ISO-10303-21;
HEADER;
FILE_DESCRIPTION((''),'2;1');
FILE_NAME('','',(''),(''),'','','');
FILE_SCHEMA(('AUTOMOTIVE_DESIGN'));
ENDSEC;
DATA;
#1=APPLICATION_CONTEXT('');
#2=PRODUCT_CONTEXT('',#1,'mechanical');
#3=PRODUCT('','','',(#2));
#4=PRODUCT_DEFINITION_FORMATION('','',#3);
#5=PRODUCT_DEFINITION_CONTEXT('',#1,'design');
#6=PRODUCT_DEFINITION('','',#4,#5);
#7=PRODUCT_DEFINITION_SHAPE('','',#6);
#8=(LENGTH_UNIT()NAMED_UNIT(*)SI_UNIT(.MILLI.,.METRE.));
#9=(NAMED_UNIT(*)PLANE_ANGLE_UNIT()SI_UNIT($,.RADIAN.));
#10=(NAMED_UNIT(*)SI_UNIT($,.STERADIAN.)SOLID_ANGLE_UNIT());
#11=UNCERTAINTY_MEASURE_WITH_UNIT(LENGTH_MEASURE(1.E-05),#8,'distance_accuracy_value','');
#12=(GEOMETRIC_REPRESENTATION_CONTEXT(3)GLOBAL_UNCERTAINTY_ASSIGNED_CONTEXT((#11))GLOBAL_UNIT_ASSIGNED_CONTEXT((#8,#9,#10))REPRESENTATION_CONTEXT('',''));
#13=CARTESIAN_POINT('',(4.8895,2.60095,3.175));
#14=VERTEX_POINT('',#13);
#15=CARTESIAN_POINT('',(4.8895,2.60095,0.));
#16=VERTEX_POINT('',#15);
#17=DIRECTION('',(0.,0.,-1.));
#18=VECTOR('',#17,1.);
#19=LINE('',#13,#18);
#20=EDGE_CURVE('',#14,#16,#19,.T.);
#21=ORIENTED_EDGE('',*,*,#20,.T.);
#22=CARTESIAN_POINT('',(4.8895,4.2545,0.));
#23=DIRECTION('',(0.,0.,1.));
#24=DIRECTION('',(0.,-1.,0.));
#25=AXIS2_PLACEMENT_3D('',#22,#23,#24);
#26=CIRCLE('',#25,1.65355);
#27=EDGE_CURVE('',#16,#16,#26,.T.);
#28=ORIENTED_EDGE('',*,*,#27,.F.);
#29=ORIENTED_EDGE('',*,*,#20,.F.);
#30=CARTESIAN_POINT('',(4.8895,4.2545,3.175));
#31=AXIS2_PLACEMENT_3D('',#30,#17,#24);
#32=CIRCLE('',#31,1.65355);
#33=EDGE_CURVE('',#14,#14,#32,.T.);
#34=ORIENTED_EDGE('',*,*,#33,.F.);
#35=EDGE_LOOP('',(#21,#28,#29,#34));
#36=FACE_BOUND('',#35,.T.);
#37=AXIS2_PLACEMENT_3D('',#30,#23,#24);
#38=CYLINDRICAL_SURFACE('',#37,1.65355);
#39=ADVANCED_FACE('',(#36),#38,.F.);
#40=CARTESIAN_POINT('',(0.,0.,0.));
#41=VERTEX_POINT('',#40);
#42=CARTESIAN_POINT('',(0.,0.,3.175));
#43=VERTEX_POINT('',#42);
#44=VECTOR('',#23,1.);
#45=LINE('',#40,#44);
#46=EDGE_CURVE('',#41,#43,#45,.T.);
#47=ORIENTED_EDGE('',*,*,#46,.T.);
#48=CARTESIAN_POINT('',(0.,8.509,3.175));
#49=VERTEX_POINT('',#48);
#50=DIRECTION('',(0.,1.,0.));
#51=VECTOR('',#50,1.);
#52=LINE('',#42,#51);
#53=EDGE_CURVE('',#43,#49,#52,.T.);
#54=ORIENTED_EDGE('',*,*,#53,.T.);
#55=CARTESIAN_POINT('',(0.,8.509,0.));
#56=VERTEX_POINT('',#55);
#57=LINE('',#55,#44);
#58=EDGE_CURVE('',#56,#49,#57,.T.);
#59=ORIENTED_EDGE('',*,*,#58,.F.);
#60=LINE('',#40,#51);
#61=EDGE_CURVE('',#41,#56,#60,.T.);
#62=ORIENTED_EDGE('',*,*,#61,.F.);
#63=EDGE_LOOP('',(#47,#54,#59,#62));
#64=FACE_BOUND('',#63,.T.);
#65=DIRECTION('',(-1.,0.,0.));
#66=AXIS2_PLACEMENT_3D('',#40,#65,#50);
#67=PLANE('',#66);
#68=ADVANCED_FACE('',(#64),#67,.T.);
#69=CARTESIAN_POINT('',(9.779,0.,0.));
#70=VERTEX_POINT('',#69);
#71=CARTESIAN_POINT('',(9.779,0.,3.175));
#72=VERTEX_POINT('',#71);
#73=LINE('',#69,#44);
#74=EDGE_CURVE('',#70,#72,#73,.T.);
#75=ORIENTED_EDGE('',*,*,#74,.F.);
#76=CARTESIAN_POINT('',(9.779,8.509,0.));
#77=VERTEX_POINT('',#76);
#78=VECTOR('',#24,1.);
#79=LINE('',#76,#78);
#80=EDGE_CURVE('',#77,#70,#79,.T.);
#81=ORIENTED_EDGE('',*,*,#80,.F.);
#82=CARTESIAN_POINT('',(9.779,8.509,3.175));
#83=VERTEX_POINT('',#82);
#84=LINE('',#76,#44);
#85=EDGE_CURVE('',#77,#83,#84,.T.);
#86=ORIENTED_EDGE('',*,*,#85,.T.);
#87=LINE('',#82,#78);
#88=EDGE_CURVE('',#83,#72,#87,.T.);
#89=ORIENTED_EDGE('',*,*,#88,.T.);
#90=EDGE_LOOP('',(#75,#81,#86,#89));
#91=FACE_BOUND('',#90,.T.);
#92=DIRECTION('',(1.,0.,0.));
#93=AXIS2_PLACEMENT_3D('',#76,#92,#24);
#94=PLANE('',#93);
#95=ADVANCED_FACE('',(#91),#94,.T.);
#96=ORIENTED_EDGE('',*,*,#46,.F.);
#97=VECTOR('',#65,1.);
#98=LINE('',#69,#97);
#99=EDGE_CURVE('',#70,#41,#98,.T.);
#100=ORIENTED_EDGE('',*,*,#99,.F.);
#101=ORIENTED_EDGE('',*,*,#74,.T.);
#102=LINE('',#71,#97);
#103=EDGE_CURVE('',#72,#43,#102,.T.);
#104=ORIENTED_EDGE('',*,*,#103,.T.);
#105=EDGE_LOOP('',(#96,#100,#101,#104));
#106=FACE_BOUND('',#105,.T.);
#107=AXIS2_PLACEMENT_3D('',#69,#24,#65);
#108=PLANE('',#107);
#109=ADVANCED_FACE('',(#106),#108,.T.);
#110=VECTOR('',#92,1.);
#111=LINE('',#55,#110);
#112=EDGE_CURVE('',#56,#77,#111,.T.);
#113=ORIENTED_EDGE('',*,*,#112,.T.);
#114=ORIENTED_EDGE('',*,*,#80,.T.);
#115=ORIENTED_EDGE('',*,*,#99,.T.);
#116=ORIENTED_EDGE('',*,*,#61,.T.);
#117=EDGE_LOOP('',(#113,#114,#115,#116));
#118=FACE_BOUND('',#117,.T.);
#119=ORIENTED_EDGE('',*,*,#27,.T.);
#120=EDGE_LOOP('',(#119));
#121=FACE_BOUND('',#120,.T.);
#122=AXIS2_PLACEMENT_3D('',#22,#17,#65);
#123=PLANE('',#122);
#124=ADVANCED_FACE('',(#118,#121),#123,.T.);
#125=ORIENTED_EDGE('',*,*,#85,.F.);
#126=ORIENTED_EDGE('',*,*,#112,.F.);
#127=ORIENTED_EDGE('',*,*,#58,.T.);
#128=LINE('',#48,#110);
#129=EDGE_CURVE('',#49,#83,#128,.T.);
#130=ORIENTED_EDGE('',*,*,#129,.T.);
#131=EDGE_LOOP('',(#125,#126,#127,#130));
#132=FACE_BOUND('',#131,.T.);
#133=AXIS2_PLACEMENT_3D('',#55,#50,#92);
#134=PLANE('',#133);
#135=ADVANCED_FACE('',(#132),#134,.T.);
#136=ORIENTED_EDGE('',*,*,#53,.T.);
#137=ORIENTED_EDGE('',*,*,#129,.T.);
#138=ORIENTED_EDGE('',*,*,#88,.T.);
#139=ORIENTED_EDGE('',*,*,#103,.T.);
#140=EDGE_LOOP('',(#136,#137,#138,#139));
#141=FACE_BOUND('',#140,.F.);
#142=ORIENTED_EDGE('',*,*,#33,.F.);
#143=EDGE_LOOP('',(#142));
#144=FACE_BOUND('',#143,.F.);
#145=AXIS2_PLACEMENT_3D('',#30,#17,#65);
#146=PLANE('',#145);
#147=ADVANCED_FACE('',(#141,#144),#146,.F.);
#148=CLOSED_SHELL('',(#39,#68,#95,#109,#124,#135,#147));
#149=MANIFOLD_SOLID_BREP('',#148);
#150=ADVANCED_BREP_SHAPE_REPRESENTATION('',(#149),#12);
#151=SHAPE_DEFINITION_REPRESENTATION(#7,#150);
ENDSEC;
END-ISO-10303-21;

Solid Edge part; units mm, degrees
sketch "Sketch1" plane through (0, 0, 0) normal (0, 0, 1) x (1, 0, 0)
  line L0 (0, 0) -> (0, 8.509)
  line L1 (0, 8.509) -> (9.779, 8.509)
  line L2 (9.779, 8.509) -> (9.779, 0)
  line L3 (9.779, 0) -> (0, 0)
  dimension "D1" = 9.779
  dimension "D2" = 8.509
extrude "Protrusion1" add sketch "Sketch1" along normal blind 3.175
hole "Hole_1" at (4.8895, 4.2545, 3.175) direction (0, 0, -1) diameter 3.3071 end up to next
properties part number "HARDWARE"
